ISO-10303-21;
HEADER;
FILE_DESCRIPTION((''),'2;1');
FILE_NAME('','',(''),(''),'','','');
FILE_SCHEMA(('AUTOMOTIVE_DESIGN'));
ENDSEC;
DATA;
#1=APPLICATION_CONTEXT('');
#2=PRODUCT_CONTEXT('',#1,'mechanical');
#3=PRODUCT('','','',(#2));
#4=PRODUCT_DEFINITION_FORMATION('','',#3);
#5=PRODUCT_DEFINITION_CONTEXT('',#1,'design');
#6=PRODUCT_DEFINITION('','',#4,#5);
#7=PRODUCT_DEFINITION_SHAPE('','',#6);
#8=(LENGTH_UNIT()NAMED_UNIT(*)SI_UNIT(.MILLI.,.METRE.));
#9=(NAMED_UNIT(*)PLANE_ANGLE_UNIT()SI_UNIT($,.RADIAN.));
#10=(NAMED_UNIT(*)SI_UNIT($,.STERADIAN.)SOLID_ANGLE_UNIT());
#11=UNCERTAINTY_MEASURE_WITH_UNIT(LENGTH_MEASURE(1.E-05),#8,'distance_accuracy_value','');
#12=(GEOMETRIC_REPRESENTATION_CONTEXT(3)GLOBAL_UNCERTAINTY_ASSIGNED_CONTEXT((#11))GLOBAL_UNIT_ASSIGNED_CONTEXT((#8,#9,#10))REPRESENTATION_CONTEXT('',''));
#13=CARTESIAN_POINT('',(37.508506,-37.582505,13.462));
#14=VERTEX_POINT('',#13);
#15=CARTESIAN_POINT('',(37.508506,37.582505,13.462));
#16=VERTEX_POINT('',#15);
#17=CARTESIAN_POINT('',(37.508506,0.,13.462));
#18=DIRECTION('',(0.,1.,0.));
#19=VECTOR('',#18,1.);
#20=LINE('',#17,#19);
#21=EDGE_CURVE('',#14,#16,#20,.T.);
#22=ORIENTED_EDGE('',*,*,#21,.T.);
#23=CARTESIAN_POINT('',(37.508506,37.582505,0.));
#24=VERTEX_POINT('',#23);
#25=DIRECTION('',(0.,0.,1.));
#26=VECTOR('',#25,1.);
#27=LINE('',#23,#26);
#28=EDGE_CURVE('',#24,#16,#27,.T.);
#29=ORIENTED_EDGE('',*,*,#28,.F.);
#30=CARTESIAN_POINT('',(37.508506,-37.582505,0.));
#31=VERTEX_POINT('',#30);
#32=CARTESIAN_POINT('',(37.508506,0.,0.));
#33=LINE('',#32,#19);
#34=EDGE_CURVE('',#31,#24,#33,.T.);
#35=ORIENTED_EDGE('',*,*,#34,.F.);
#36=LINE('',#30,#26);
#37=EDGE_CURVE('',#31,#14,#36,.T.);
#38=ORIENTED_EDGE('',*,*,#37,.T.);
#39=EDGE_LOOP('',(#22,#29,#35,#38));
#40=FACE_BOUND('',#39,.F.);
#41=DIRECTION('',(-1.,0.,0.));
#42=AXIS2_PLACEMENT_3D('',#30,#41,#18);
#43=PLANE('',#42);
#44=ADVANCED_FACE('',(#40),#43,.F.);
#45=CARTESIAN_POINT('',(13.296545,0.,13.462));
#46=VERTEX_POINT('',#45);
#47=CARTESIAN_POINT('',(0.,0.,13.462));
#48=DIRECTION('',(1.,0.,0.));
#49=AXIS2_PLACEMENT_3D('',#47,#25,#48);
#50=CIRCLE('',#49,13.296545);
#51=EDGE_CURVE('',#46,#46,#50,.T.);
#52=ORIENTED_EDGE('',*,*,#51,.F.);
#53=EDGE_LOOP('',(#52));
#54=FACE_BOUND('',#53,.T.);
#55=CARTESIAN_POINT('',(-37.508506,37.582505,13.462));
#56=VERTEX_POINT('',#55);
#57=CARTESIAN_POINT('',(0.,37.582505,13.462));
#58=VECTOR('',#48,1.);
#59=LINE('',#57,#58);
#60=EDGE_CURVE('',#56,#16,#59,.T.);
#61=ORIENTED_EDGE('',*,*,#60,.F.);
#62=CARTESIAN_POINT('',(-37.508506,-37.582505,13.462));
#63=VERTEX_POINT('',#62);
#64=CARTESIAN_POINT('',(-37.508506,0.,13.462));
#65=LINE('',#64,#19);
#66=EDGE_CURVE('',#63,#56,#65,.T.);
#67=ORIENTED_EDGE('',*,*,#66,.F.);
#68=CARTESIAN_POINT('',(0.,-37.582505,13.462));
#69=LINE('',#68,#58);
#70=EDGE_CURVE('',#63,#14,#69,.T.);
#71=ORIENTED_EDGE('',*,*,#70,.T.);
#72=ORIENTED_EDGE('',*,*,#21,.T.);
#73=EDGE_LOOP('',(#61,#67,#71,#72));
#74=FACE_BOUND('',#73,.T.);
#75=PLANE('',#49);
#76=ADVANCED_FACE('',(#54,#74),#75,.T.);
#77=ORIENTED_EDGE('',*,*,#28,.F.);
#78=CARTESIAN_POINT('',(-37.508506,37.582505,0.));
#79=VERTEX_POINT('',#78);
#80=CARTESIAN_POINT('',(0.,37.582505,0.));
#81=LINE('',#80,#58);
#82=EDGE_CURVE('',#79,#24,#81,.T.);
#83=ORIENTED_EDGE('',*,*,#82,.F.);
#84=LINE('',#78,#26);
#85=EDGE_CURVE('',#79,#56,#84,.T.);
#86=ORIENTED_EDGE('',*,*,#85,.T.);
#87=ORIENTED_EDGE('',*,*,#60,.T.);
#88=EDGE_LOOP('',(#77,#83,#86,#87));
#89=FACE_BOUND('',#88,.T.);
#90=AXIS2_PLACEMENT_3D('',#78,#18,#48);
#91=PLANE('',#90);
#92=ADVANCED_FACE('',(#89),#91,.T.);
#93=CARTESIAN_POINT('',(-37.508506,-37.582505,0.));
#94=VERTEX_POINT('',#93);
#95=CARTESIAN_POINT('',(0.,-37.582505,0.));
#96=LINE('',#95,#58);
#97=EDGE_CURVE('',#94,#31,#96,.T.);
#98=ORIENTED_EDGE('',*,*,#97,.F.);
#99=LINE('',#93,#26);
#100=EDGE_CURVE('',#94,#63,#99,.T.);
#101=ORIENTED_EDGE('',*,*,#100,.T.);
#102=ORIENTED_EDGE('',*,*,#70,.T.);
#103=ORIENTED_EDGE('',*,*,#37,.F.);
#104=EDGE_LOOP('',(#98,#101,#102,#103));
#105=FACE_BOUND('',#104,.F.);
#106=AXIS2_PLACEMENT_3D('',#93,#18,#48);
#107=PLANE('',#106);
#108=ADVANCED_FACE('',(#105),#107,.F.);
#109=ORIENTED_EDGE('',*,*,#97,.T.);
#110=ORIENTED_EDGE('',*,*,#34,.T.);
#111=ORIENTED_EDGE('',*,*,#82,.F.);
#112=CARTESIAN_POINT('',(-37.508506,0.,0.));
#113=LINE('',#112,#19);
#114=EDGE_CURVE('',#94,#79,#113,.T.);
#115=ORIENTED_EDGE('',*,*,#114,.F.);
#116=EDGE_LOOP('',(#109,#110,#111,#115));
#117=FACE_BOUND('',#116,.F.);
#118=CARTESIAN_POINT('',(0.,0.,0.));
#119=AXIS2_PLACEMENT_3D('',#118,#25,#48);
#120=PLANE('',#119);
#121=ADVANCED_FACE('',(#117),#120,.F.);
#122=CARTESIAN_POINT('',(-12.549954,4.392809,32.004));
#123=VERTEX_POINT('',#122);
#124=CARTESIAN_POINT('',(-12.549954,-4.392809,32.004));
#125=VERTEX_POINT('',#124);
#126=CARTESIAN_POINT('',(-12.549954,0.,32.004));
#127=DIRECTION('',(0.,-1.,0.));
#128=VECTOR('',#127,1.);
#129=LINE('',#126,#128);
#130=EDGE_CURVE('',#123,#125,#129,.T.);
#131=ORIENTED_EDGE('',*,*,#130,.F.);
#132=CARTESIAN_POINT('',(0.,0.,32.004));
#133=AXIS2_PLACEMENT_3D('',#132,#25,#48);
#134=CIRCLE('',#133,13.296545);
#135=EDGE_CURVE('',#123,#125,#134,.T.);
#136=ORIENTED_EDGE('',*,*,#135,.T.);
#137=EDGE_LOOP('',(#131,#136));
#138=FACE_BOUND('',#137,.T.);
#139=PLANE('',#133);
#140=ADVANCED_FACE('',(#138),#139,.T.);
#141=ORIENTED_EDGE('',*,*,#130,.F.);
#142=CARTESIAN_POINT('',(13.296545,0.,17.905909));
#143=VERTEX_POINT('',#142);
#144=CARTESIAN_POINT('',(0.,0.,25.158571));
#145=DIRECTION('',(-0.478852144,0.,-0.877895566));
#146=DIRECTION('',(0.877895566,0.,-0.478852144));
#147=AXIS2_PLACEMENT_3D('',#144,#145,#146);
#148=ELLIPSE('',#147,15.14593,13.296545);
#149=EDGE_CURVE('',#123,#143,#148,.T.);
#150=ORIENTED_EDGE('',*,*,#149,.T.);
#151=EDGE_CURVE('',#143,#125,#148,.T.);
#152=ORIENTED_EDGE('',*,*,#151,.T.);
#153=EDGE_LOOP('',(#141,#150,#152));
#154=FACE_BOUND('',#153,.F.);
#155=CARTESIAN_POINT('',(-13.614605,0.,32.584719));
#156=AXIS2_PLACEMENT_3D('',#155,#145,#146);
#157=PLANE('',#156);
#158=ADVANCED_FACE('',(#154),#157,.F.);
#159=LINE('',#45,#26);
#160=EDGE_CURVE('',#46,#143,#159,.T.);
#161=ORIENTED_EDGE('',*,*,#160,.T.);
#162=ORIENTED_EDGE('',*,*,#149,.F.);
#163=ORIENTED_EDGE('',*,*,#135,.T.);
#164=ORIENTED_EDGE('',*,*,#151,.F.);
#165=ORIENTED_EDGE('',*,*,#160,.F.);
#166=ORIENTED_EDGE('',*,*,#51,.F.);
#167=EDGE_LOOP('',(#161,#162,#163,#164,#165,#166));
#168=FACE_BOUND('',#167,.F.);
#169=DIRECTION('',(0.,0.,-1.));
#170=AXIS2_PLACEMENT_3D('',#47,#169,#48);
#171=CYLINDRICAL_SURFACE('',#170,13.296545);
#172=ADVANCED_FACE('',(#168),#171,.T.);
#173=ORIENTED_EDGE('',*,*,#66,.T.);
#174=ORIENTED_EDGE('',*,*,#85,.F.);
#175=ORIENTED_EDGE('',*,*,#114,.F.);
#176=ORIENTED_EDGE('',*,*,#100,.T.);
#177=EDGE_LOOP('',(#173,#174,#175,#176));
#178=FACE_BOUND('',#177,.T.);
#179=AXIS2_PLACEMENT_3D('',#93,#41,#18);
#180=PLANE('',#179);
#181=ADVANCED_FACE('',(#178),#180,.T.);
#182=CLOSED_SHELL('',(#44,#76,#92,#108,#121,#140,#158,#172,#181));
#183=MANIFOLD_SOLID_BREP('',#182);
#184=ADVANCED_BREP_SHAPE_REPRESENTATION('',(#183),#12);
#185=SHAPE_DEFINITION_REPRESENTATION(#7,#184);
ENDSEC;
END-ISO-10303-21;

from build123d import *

# Parameters (mm, degrees)
F0_W     = 75.017012
F0_H     = 75.16501
F1_DEPTH = 13.462
F2_R     = 13.296545
F3_DEPTH = 18.542
F5_DEPTH = 21.336


with BuildPart() as f1:
    # F0 (on Top) → F1 (new body)
    with BuildSketch(Plane.XY):
        Rectangle(F0_W, F0_H)
    extrude(amount=F1_DEPTH)

    # F2 (on face) → F3 (join)
    with BuildSketch(Plane.XY.offset(13.462)):
        Circle(F2_R)
    extrude(amount=F3_DEPTH)

    # F4 (on Front) → F5 (cut, symmetric)
    with BuildSketch(Plane.XZ):
        Polygon((14.776042, 34.1333), (-13.614605, 32.584719), (14.776042, 17.098911), align=None)
    extrude(amount=F5_DEPTH, both=True, mode=Mode.SUBTRACT)


solid = f1.part
